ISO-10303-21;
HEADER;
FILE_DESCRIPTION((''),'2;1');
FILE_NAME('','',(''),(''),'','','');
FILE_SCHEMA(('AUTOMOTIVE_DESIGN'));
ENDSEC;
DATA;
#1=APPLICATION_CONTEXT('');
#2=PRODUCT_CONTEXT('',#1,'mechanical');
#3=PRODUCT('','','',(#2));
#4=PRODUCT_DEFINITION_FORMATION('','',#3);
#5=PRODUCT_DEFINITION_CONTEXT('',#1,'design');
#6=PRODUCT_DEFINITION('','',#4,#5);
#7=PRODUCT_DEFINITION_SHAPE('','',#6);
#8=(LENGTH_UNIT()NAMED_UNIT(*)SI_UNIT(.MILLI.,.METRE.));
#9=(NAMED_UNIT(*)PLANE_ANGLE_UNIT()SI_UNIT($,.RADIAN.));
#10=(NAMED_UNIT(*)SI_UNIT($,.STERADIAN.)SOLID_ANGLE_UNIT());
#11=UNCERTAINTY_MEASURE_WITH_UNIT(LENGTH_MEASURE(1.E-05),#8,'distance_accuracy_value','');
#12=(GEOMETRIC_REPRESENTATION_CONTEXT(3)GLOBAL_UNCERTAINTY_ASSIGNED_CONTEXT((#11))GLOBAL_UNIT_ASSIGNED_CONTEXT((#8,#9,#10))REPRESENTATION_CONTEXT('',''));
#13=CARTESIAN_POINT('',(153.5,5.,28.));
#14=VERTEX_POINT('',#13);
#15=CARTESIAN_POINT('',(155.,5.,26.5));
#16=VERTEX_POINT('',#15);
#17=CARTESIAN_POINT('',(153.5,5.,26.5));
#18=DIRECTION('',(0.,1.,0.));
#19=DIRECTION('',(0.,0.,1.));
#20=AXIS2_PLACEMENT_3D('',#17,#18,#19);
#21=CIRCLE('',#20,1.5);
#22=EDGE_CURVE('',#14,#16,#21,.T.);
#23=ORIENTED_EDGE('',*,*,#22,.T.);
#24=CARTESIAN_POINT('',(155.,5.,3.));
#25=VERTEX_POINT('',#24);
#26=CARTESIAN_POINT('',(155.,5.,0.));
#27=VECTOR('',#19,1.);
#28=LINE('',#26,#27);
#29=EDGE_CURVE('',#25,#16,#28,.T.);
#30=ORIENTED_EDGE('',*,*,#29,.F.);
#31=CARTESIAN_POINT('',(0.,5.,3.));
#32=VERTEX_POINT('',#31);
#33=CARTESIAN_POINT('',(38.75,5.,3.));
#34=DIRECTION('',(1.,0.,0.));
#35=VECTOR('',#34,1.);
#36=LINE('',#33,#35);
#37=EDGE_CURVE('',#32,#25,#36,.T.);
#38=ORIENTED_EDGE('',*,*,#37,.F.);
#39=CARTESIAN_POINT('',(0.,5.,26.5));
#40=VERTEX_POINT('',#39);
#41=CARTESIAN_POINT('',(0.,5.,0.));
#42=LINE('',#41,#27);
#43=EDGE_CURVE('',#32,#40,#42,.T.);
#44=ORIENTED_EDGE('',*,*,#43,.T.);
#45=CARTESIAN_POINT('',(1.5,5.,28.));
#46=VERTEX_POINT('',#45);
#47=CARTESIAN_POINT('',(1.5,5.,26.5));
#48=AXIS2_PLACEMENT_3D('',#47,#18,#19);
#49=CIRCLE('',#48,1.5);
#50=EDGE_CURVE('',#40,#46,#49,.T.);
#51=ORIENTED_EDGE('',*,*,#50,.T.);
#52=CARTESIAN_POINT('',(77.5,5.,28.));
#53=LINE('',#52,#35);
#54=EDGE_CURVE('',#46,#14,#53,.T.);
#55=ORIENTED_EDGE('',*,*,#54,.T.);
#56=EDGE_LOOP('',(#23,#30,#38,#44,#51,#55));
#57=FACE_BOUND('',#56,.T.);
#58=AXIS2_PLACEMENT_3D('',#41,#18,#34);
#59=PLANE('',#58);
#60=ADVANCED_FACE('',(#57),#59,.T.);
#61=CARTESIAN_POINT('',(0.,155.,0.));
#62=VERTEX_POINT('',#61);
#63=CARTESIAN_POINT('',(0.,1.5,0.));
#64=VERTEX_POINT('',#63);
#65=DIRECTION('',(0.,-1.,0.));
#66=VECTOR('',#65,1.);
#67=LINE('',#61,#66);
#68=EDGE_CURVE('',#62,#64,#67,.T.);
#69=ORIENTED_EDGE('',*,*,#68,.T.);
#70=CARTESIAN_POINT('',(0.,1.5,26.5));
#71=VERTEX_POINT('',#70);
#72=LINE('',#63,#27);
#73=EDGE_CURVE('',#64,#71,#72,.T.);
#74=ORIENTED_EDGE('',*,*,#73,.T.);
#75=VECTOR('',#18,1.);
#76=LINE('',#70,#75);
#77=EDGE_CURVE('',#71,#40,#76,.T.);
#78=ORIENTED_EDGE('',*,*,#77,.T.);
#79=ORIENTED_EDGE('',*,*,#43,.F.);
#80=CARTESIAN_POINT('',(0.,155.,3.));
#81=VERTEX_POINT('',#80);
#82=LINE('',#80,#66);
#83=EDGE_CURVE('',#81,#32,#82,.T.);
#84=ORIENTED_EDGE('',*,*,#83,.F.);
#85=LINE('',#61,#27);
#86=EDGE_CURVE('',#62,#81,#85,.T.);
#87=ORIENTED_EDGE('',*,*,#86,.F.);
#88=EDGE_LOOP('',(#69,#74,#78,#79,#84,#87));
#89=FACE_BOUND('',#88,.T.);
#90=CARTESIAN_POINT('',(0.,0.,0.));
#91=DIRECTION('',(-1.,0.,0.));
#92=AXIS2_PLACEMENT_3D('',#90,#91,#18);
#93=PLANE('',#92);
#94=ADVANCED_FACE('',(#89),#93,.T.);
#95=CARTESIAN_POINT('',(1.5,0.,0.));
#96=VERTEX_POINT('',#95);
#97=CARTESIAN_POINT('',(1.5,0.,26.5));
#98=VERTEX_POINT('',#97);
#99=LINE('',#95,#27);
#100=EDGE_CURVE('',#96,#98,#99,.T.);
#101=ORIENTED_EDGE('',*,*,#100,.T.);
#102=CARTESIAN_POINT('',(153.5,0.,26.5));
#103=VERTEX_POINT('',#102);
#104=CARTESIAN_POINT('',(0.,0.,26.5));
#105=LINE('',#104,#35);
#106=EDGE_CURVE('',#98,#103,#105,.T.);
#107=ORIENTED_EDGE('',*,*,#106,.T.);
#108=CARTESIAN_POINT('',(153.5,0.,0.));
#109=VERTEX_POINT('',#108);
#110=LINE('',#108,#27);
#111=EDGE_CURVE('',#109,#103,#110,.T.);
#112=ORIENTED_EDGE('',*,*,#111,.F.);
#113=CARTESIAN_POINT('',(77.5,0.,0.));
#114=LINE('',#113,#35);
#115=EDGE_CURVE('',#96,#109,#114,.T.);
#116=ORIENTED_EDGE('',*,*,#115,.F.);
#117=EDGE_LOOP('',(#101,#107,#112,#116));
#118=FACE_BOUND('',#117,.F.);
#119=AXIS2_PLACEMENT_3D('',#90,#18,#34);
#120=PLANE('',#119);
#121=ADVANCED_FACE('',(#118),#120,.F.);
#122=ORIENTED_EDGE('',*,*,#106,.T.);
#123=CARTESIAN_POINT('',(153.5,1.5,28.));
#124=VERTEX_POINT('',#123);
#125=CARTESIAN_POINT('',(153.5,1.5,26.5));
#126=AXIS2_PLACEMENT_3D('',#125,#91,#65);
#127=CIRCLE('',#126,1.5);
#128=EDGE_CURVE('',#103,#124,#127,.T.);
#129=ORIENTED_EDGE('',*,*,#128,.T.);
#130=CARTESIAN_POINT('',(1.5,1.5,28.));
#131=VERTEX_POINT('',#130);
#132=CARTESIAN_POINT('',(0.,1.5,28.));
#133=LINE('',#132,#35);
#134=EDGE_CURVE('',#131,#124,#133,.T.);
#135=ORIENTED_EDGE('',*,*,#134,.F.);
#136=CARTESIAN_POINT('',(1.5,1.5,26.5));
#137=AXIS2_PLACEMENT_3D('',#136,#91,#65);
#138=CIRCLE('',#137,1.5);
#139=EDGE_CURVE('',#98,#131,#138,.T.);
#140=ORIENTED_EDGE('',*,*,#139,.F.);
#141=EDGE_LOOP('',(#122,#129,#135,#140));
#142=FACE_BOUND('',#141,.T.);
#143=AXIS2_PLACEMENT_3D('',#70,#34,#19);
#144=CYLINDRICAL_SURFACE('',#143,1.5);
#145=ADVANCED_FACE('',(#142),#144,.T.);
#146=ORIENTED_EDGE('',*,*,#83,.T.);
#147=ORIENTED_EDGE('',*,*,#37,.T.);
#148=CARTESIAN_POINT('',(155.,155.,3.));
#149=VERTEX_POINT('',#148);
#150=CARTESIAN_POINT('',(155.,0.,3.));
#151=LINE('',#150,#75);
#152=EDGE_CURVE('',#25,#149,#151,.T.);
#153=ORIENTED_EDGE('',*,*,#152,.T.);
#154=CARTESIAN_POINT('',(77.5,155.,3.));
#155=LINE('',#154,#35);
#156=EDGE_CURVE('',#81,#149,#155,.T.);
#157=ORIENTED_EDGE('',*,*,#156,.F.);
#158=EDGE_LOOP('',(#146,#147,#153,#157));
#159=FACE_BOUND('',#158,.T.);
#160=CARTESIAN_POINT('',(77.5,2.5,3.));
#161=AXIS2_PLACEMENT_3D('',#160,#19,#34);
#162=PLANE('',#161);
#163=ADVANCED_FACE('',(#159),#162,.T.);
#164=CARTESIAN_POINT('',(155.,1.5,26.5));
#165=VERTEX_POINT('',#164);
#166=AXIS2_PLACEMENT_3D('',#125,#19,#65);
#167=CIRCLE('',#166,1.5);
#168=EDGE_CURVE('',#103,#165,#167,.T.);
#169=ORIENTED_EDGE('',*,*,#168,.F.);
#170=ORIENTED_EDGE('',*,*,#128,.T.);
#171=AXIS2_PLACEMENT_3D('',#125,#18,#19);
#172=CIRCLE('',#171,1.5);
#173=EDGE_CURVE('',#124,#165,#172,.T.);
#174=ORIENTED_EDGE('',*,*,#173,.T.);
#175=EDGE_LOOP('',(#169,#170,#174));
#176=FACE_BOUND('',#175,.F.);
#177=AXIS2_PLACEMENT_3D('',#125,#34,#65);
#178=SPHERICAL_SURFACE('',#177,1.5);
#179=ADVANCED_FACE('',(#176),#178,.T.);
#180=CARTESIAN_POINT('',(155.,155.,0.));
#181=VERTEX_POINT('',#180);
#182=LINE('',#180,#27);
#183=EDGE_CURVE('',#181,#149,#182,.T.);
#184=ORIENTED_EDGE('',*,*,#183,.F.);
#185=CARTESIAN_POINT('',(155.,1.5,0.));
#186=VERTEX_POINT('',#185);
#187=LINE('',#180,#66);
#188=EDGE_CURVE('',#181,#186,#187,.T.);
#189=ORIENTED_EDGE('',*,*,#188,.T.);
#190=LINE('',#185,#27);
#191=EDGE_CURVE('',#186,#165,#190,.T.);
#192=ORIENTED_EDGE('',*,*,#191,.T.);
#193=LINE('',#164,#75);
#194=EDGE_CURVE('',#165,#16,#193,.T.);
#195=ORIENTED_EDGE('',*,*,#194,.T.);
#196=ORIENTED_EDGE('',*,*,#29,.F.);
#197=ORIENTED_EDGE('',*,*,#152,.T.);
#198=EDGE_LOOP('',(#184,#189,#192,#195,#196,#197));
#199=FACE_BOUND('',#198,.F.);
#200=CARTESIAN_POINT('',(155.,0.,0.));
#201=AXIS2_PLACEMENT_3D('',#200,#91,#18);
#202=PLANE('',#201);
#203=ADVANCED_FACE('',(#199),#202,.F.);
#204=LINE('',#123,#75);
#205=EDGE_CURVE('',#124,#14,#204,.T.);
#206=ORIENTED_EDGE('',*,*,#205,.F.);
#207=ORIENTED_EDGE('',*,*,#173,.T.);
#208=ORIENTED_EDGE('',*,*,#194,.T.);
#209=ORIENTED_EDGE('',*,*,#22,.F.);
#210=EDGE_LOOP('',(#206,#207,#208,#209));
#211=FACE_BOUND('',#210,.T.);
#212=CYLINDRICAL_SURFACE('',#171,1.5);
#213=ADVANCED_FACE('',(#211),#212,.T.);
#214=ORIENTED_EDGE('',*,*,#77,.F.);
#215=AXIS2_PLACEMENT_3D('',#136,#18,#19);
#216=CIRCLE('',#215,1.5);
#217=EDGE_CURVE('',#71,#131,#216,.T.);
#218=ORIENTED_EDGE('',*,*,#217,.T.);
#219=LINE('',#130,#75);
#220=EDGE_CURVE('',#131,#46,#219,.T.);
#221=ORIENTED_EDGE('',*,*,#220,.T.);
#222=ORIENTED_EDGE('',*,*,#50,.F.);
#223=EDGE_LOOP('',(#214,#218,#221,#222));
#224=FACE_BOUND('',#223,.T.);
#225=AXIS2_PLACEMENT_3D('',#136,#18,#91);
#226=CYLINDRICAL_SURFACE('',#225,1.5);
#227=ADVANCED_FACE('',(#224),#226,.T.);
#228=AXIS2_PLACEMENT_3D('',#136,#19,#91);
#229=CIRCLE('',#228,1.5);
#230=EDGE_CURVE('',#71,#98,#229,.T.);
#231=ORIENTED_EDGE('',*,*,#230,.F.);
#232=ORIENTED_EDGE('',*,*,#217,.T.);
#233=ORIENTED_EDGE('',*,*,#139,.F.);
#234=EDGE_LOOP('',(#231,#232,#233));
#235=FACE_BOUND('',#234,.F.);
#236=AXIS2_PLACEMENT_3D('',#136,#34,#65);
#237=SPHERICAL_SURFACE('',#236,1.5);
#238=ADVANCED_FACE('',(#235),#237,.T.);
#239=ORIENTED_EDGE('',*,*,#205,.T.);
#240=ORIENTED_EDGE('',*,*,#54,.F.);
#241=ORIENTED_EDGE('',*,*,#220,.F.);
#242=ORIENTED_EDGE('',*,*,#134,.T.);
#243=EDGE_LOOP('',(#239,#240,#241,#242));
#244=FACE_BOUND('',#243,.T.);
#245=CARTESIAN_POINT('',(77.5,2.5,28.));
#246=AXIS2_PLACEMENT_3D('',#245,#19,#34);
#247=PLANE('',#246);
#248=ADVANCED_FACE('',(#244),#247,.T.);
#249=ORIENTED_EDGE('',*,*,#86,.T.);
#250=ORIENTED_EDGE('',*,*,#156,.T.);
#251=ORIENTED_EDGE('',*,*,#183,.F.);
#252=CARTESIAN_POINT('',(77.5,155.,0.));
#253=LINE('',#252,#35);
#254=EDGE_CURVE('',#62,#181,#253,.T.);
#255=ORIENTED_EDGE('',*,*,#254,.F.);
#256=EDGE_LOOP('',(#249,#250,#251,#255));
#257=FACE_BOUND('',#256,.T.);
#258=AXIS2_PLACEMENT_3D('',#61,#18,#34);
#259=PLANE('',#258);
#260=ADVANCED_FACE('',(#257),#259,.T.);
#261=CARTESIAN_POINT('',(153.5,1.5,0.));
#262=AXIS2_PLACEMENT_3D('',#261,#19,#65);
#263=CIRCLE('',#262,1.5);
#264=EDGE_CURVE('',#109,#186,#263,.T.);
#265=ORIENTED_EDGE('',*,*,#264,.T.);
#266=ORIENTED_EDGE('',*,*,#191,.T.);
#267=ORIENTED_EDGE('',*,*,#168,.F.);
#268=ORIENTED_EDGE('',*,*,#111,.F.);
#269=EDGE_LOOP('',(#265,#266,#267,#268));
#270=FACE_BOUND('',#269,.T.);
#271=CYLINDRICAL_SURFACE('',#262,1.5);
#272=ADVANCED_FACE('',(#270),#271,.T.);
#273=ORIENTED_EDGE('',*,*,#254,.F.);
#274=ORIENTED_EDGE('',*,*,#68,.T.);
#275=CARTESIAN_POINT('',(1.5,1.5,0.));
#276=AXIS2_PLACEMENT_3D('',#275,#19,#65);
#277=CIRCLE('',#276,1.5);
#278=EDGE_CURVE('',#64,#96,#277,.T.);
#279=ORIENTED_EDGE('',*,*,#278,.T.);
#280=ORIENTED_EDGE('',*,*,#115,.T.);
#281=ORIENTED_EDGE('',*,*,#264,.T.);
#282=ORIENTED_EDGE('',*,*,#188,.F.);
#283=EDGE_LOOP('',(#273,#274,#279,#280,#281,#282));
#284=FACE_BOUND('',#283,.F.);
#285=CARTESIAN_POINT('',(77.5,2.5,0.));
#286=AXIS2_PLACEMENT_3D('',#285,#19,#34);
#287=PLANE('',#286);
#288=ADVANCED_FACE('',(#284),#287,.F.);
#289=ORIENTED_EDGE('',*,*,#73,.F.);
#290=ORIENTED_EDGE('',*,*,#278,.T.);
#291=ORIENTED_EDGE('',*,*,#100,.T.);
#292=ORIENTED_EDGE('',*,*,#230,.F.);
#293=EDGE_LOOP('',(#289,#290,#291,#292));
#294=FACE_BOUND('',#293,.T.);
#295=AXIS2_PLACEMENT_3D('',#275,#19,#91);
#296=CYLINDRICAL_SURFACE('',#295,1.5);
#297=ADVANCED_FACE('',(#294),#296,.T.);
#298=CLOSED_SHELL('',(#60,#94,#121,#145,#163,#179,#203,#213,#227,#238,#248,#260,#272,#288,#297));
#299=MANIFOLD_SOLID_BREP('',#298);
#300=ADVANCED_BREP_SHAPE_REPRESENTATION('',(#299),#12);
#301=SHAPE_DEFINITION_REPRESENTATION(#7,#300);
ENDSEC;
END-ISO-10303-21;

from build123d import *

# Parameters (mm, degrees)
F0_W     = 155
F0_H     = 5
F1_DEPTH = 28
F0_H_2   = 150
F2_DEPTH = 3
F3_R     = 1.5
F4_R     = 1.5


with BuildPart() as f1:
    # F0 (on Top) → F1 (new body)
    with BuildSketch(Plane.XY):
        with Locations((77.5, 2.5)):
            Rectangle(F0_W, F0_H)
    extrude(amount=F1_DEPTH)

    # F0 (on Top) → F2 (join)
    with BuildSketch(Plane.XY):
        with Locations((77.5, 2.5)):
            Rectangle(F0_W, F0_H)
        with Locations((77.5, 80)):
            Rectangle(F0_W, F0_H_2)
    extrude(amount=F2_DEPTH)

    # F3
    f3_edges = [f1.edges().sort_by_distance(p)[0] for p in [
        (77.5, 0, 28),
    ]]
    fillet(f3_edges, radius=F3_R)

    # F4
    f4_edges = [f1.edges().sort_by_distance(p)[0] for p in [
        (0, 0, 13.25),
        (155, 0, 13.25),
    ]]
    fillet(f4_edges, radius=F4_R)


solid = f1.part
